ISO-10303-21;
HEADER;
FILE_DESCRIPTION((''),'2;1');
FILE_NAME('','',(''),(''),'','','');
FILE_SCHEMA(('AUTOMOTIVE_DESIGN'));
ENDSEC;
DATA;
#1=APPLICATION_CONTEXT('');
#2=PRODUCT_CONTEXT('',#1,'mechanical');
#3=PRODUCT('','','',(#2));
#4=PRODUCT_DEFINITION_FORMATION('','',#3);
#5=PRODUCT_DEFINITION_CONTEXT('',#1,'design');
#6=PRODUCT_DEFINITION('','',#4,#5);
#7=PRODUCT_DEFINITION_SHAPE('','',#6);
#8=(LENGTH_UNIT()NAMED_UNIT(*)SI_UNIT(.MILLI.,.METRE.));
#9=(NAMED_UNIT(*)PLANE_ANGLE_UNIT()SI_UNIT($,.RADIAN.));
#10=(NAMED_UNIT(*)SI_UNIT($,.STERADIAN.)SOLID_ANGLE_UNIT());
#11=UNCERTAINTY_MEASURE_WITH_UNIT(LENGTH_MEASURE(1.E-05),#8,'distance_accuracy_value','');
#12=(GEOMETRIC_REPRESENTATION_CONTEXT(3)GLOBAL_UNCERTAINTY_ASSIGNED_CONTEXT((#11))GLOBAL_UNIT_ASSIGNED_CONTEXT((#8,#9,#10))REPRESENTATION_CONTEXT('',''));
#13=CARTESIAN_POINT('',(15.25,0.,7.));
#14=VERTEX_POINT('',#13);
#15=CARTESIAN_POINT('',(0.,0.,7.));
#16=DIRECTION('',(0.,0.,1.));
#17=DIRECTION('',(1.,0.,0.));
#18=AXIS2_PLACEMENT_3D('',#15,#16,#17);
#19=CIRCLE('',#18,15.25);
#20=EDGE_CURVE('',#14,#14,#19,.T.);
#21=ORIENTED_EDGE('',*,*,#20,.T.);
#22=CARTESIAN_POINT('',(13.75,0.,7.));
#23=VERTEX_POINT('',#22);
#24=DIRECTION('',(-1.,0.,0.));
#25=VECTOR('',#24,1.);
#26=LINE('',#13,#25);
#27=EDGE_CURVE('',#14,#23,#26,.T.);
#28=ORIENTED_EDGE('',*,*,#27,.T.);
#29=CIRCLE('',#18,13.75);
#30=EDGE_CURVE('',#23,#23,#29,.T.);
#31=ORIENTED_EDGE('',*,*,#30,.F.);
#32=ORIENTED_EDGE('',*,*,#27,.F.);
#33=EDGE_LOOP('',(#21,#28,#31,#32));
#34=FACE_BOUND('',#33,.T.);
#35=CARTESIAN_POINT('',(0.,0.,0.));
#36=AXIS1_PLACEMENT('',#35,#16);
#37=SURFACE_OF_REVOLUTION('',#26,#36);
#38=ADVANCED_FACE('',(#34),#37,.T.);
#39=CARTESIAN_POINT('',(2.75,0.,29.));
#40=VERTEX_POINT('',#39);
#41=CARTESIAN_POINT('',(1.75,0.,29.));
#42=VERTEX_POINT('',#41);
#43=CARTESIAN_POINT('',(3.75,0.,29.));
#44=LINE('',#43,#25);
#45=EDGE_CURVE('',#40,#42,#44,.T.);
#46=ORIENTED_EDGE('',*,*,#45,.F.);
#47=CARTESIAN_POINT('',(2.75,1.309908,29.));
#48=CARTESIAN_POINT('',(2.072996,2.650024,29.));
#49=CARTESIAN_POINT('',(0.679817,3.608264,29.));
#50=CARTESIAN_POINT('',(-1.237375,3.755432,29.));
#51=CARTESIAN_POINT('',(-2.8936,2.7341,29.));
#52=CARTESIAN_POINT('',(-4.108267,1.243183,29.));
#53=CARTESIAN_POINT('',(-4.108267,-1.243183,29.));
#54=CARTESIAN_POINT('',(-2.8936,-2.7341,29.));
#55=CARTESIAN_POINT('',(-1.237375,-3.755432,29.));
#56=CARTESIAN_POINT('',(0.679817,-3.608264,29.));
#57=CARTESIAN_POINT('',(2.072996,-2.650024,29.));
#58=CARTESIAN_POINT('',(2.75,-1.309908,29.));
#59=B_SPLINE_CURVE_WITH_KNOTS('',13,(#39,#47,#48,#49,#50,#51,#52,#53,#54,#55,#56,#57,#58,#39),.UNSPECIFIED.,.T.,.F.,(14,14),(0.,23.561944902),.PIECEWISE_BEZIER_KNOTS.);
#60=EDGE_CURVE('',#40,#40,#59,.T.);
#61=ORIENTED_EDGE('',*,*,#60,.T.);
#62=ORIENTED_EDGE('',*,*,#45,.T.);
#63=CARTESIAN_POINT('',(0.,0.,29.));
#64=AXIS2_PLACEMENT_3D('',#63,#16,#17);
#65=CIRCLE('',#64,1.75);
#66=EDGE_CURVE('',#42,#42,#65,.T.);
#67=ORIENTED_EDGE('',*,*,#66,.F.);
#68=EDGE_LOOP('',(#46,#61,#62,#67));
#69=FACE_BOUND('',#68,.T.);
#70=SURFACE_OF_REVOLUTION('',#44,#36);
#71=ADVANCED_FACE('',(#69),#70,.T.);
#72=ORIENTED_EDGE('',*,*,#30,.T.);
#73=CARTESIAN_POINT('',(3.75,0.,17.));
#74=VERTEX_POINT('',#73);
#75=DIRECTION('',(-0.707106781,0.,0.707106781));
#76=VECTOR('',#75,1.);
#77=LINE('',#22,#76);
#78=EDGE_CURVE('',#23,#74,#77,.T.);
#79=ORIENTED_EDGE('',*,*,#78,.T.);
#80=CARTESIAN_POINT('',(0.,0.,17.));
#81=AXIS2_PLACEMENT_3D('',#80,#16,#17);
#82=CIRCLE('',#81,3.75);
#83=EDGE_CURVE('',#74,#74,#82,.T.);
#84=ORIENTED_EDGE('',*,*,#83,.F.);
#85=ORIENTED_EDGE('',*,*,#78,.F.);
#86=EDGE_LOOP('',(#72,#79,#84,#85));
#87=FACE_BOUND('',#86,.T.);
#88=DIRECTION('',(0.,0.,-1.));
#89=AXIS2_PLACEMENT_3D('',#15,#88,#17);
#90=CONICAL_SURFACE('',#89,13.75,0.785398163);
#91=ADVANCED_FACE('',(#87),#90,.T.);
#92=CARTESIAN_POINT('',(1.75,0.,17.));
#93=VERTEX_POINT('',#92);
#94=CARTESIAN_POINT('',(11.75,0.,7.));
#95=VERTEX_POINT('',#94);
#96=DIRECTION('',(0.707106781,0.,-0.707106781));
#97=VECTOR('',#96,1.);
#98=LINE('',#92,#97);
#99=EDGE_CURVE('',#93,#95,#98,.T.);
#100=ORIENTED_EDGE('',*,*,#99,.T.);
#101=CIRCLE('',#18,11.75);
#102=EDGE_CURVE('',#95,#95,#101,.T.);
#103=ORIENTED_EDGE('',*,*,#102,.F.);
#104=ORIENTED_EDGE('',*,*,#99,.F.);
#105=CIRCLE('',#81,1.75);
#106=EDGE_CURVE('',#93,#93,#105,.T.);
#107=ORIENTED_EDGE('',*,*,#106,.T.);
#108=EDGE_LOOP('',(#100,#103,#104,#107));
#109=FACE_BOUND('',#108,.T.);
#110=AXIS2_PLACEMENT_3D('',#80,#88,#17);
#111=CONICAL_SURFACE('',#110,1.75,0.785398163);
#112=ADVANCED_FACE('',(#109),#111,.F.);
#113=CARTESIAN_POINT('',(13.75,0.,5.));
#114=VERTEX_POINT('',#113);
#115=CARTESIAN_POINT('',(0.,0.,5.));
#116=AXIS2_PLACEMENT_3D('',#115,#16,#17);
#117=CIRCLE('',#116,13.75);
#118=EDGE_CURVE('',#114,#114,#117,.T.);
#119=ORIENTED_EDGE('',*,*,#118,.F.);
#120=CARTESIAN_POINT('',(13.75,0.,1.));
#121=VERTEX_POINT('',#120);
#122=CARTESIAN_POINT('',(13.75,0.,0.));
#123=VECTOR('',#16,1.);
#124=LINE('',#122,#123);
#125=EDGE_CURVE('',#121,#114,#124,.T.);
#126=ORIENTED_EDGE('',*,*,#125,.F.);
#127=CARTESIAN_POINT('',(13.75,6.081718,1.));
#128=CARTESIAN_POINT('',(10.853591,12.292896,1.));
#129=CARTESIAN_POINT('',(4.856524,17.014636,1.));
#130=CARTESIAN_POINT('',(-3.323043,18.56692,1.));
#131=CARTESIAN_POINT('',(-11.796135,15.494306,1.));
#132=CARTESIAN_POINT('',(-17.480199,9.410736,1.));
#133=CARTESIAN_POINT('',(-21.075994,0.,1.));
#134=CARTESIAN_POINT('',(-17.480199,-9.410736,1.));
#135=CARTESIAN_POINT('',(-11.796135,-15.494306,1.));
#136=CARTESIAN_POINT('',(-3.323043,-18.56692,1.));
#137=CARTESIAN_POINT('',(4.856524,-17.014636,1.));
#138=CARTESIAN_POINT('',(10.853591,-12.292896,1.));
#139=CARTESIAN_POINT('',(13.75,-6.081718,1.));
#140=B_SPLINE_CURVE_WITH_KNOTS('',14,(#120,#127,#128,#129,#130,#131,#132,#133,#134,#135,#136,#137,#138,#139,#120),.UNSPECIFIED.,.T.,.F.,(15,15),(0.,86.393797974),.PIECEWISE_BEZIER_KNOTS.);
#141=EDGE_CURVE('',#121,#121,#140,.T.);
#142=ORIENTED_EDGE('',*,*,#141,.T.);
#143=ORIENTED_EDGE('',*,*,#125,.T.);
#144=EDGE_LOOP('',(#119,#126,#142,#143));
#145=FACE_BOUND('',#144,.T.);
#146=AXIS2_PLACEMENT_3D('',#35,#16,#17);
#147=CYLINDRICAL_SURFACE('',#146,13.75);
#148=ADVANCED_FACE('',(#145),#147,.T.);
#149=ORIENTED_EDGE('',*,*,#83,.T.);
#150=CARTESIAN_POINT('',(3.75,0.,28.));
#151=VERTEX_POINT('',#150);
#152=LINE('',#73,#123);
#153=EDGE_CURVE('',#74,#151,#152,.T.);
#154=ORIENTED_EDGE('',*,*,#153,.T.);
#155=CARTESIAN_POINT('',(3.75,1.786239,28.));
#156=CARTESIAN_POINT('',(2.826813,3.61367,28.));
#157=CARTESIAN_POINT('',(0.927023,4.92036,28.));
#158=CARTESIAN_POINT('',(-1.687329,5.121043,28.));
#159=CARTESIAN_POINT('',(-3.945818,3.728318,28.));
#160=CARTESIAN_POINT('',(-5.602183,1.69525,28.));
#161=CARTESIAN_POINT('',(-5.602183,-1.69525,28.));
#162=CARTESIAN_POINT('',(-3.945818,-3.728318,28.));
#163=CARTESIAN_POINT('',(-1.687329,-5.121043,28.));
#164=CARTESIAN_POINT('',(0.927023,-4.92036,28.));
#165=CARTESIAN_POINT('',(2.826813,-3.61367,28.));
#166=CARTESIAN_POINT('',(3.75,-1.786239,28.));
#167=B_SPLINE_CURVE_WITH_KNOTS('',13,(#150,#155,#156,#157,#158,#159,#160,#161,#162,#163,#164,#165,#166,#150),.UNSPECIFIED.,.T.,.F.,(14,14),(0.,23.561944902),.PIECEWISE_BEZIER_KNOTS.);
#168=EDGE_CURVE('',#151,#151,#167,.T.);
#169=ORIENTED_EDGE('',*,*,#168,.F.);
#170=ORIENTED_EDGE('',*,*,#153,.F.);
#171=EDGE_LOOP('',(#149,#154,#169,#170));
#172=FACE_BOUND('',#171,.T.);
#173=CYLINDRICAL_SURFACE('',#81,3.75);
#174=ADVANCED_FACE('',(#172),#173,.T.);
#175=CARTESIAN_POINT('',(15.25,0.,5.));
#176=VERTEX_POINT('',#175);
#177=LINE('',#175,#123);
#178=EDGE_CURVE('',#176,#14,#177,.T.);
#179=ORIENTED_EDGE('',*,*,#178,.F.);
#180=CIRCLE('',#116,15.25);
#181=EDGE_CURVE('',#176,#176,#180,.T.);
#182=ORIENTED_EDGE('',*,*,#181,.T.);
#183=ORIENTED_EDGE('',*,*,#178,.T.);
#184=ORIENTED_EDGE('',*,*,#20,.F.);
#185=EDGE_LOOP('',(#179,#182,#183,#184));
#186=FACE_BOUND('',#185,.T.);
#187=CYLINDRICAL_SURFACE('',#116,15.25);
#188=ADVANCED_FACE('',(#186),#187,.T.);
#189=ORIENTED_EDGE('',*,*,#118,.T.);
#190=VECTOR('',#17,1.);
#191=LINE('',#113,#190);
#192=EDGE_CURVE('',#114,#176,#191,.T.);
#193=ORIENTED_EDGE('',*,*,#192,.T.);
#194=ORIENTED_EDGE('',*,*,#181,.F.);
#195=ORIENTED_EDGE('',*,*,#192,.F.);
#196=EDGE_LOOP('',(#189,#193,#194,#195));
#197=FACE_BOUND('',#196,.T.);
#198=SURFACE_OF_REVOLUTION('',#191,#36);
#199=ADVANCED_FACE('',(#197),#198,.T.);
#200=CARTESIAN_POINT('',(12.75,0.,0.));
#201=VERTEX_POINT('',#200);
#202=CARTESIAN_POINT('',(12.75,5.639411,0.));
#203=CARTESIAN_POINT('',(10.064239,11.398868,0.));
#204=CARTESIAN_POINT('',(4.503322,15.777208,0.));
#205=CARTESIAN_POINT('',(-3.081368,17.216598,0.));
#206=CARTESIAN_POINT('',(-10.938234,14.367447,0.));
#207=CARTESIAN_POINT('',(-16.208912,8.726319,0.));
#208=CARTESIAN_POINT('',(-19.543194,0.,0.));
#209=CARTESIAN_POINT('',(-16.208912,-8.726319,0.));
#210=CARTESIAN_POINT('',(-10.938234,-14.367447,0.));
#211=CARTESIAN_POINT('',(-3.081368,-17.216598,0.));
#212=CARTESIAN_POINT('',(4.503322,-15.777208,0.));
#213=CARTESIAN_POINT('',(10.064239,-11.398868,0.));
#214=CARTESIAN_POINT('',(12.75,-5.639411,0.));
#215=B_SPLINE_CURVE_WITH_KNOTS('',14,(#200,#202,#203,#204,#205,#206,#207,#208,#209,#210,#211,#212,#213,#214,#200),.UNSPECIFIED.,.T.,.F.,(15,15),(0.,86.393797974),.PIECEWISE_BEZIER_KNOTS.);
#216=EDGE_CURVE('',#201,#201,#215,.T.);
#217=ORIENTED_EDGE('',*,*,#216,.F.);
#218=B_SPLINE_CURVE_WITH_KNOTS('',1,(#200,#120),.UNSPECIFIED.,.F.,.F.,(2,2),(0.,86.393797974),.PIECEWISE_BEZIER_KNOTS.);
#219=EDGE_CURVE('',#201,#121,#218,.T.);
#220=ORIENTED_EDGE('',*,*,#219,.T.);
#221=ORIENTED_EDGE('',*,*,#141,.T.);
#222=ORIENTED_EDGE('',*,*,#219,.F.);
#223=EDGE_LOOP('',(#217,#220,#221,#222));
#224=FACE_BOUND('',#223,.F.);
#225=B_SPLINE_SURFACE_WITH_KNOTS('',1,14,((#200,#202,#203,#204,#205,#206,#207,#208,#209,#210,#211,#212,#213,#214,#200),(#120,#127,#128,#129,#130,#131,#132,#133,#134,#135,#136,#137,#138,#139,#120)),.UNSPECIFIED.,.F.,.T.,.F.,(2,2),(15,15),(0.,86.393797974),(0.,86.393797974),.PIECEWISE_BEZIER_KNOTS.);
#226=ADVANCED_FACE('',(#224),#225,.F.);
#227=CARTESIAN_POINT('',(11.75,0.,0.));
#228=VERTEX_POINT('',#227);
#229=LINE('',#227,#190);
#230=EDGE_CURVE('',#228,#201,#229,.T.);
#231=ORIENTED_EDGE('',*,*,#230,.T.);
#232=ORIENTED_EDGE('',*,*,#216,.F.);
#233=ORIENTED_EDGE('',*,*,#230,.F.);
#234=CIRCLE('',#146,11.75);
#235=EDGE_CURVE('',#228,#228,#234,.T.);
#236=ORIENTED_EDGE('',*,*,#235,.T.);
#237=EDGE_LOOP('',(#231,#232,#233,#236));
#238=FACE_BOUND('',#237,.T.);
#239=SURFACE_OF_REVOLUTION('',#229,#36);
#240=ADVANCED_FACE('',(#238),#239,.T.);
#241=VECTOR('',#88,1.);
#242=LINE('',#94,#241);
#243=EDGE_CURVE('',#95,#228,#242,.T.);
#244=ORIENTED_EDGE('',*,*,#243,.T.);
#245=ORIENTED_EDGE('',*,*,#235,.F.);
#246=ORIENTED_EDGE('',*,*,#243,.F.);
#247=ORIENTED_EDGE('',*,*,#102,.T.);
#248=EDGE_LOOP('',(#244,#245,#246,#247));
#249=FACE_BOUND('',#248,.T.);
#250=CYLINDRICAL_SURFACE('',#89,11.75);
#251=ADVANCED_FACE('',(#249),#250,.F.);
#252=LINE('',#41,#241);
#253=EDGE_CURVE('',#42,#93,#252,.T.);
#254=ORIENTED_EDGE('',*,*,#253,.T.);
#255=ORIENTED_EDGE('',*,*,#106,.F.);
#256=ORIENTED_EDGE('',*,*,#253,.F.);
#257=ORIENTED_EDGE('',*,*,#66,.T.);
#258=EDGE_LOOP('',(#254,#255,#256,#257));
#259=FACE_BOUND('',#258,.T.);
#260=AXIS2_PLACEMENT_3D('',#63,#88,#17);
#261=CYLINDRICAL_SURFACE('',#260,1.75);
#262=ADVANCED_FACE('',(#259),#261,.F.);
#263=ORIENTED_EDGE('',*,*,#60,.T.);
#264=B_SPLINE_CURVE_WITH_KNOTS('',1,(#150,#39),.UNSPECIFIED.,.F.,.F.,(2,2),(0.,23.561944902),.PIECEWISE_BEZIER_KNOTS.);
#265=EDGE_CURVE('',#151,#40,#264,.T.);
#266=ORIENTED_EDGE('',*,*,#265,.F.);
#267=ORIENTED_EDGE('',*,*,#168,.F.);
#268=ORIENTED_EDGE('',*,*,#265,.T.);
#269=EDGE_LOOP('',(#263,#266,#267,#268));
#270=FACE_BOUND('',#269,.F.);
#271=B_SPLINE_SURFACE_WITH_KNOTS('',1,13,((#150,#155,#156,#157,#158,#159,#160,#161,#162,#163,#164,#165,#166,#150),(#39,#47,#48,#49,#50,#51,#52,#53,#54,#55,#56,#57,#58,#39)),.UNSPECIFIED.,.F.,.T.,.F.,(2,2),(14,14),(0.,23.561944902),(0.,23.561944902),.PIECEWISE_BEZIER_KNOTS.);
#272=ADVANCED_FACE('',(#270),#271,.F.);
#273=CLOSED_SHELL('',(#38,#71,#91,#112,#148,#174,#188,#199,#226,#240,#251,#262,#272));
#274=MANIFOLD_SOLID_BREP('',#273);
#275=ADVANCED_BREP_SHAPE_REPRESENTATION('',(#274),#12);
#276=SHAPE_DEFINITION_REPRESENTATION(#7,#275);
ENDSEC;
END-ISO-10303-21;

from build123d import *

# Parameters (mm, degrees)
CHAMFER_SIZE = 1


with BuildPart() as part:
    # AdditivePipe: sweep along a path in Sketch001
    with BuildLine(Plane.XY) as additivepipe_path:
        CenterArc((0, 0), 15, 0, 360)
    # Sketch → AdditivePipe (sweep)
    with BuildSketch(Plane.XZ):
        Polygon((1.75, 29), (1.75, 17), (11.75, 7), (11.75, 0), (13.75, 0), (13.75, 5), (15.25, 5), (15.25, 7), (13.75, 7), (3.75, 17), (3.75, 29), align=None)
    sweep(path=additivepipe_path.line)

    # Chamfer
    chamfer_edges = [part.edges().sort_by_distance(p)[0] for p in [
        (-3.75, 0, 29),
        (-13.75, 0, 0),
    ]]
    chamfer(chamfer_edges, length=CHAMFER_SIZE)


solid = part.part
